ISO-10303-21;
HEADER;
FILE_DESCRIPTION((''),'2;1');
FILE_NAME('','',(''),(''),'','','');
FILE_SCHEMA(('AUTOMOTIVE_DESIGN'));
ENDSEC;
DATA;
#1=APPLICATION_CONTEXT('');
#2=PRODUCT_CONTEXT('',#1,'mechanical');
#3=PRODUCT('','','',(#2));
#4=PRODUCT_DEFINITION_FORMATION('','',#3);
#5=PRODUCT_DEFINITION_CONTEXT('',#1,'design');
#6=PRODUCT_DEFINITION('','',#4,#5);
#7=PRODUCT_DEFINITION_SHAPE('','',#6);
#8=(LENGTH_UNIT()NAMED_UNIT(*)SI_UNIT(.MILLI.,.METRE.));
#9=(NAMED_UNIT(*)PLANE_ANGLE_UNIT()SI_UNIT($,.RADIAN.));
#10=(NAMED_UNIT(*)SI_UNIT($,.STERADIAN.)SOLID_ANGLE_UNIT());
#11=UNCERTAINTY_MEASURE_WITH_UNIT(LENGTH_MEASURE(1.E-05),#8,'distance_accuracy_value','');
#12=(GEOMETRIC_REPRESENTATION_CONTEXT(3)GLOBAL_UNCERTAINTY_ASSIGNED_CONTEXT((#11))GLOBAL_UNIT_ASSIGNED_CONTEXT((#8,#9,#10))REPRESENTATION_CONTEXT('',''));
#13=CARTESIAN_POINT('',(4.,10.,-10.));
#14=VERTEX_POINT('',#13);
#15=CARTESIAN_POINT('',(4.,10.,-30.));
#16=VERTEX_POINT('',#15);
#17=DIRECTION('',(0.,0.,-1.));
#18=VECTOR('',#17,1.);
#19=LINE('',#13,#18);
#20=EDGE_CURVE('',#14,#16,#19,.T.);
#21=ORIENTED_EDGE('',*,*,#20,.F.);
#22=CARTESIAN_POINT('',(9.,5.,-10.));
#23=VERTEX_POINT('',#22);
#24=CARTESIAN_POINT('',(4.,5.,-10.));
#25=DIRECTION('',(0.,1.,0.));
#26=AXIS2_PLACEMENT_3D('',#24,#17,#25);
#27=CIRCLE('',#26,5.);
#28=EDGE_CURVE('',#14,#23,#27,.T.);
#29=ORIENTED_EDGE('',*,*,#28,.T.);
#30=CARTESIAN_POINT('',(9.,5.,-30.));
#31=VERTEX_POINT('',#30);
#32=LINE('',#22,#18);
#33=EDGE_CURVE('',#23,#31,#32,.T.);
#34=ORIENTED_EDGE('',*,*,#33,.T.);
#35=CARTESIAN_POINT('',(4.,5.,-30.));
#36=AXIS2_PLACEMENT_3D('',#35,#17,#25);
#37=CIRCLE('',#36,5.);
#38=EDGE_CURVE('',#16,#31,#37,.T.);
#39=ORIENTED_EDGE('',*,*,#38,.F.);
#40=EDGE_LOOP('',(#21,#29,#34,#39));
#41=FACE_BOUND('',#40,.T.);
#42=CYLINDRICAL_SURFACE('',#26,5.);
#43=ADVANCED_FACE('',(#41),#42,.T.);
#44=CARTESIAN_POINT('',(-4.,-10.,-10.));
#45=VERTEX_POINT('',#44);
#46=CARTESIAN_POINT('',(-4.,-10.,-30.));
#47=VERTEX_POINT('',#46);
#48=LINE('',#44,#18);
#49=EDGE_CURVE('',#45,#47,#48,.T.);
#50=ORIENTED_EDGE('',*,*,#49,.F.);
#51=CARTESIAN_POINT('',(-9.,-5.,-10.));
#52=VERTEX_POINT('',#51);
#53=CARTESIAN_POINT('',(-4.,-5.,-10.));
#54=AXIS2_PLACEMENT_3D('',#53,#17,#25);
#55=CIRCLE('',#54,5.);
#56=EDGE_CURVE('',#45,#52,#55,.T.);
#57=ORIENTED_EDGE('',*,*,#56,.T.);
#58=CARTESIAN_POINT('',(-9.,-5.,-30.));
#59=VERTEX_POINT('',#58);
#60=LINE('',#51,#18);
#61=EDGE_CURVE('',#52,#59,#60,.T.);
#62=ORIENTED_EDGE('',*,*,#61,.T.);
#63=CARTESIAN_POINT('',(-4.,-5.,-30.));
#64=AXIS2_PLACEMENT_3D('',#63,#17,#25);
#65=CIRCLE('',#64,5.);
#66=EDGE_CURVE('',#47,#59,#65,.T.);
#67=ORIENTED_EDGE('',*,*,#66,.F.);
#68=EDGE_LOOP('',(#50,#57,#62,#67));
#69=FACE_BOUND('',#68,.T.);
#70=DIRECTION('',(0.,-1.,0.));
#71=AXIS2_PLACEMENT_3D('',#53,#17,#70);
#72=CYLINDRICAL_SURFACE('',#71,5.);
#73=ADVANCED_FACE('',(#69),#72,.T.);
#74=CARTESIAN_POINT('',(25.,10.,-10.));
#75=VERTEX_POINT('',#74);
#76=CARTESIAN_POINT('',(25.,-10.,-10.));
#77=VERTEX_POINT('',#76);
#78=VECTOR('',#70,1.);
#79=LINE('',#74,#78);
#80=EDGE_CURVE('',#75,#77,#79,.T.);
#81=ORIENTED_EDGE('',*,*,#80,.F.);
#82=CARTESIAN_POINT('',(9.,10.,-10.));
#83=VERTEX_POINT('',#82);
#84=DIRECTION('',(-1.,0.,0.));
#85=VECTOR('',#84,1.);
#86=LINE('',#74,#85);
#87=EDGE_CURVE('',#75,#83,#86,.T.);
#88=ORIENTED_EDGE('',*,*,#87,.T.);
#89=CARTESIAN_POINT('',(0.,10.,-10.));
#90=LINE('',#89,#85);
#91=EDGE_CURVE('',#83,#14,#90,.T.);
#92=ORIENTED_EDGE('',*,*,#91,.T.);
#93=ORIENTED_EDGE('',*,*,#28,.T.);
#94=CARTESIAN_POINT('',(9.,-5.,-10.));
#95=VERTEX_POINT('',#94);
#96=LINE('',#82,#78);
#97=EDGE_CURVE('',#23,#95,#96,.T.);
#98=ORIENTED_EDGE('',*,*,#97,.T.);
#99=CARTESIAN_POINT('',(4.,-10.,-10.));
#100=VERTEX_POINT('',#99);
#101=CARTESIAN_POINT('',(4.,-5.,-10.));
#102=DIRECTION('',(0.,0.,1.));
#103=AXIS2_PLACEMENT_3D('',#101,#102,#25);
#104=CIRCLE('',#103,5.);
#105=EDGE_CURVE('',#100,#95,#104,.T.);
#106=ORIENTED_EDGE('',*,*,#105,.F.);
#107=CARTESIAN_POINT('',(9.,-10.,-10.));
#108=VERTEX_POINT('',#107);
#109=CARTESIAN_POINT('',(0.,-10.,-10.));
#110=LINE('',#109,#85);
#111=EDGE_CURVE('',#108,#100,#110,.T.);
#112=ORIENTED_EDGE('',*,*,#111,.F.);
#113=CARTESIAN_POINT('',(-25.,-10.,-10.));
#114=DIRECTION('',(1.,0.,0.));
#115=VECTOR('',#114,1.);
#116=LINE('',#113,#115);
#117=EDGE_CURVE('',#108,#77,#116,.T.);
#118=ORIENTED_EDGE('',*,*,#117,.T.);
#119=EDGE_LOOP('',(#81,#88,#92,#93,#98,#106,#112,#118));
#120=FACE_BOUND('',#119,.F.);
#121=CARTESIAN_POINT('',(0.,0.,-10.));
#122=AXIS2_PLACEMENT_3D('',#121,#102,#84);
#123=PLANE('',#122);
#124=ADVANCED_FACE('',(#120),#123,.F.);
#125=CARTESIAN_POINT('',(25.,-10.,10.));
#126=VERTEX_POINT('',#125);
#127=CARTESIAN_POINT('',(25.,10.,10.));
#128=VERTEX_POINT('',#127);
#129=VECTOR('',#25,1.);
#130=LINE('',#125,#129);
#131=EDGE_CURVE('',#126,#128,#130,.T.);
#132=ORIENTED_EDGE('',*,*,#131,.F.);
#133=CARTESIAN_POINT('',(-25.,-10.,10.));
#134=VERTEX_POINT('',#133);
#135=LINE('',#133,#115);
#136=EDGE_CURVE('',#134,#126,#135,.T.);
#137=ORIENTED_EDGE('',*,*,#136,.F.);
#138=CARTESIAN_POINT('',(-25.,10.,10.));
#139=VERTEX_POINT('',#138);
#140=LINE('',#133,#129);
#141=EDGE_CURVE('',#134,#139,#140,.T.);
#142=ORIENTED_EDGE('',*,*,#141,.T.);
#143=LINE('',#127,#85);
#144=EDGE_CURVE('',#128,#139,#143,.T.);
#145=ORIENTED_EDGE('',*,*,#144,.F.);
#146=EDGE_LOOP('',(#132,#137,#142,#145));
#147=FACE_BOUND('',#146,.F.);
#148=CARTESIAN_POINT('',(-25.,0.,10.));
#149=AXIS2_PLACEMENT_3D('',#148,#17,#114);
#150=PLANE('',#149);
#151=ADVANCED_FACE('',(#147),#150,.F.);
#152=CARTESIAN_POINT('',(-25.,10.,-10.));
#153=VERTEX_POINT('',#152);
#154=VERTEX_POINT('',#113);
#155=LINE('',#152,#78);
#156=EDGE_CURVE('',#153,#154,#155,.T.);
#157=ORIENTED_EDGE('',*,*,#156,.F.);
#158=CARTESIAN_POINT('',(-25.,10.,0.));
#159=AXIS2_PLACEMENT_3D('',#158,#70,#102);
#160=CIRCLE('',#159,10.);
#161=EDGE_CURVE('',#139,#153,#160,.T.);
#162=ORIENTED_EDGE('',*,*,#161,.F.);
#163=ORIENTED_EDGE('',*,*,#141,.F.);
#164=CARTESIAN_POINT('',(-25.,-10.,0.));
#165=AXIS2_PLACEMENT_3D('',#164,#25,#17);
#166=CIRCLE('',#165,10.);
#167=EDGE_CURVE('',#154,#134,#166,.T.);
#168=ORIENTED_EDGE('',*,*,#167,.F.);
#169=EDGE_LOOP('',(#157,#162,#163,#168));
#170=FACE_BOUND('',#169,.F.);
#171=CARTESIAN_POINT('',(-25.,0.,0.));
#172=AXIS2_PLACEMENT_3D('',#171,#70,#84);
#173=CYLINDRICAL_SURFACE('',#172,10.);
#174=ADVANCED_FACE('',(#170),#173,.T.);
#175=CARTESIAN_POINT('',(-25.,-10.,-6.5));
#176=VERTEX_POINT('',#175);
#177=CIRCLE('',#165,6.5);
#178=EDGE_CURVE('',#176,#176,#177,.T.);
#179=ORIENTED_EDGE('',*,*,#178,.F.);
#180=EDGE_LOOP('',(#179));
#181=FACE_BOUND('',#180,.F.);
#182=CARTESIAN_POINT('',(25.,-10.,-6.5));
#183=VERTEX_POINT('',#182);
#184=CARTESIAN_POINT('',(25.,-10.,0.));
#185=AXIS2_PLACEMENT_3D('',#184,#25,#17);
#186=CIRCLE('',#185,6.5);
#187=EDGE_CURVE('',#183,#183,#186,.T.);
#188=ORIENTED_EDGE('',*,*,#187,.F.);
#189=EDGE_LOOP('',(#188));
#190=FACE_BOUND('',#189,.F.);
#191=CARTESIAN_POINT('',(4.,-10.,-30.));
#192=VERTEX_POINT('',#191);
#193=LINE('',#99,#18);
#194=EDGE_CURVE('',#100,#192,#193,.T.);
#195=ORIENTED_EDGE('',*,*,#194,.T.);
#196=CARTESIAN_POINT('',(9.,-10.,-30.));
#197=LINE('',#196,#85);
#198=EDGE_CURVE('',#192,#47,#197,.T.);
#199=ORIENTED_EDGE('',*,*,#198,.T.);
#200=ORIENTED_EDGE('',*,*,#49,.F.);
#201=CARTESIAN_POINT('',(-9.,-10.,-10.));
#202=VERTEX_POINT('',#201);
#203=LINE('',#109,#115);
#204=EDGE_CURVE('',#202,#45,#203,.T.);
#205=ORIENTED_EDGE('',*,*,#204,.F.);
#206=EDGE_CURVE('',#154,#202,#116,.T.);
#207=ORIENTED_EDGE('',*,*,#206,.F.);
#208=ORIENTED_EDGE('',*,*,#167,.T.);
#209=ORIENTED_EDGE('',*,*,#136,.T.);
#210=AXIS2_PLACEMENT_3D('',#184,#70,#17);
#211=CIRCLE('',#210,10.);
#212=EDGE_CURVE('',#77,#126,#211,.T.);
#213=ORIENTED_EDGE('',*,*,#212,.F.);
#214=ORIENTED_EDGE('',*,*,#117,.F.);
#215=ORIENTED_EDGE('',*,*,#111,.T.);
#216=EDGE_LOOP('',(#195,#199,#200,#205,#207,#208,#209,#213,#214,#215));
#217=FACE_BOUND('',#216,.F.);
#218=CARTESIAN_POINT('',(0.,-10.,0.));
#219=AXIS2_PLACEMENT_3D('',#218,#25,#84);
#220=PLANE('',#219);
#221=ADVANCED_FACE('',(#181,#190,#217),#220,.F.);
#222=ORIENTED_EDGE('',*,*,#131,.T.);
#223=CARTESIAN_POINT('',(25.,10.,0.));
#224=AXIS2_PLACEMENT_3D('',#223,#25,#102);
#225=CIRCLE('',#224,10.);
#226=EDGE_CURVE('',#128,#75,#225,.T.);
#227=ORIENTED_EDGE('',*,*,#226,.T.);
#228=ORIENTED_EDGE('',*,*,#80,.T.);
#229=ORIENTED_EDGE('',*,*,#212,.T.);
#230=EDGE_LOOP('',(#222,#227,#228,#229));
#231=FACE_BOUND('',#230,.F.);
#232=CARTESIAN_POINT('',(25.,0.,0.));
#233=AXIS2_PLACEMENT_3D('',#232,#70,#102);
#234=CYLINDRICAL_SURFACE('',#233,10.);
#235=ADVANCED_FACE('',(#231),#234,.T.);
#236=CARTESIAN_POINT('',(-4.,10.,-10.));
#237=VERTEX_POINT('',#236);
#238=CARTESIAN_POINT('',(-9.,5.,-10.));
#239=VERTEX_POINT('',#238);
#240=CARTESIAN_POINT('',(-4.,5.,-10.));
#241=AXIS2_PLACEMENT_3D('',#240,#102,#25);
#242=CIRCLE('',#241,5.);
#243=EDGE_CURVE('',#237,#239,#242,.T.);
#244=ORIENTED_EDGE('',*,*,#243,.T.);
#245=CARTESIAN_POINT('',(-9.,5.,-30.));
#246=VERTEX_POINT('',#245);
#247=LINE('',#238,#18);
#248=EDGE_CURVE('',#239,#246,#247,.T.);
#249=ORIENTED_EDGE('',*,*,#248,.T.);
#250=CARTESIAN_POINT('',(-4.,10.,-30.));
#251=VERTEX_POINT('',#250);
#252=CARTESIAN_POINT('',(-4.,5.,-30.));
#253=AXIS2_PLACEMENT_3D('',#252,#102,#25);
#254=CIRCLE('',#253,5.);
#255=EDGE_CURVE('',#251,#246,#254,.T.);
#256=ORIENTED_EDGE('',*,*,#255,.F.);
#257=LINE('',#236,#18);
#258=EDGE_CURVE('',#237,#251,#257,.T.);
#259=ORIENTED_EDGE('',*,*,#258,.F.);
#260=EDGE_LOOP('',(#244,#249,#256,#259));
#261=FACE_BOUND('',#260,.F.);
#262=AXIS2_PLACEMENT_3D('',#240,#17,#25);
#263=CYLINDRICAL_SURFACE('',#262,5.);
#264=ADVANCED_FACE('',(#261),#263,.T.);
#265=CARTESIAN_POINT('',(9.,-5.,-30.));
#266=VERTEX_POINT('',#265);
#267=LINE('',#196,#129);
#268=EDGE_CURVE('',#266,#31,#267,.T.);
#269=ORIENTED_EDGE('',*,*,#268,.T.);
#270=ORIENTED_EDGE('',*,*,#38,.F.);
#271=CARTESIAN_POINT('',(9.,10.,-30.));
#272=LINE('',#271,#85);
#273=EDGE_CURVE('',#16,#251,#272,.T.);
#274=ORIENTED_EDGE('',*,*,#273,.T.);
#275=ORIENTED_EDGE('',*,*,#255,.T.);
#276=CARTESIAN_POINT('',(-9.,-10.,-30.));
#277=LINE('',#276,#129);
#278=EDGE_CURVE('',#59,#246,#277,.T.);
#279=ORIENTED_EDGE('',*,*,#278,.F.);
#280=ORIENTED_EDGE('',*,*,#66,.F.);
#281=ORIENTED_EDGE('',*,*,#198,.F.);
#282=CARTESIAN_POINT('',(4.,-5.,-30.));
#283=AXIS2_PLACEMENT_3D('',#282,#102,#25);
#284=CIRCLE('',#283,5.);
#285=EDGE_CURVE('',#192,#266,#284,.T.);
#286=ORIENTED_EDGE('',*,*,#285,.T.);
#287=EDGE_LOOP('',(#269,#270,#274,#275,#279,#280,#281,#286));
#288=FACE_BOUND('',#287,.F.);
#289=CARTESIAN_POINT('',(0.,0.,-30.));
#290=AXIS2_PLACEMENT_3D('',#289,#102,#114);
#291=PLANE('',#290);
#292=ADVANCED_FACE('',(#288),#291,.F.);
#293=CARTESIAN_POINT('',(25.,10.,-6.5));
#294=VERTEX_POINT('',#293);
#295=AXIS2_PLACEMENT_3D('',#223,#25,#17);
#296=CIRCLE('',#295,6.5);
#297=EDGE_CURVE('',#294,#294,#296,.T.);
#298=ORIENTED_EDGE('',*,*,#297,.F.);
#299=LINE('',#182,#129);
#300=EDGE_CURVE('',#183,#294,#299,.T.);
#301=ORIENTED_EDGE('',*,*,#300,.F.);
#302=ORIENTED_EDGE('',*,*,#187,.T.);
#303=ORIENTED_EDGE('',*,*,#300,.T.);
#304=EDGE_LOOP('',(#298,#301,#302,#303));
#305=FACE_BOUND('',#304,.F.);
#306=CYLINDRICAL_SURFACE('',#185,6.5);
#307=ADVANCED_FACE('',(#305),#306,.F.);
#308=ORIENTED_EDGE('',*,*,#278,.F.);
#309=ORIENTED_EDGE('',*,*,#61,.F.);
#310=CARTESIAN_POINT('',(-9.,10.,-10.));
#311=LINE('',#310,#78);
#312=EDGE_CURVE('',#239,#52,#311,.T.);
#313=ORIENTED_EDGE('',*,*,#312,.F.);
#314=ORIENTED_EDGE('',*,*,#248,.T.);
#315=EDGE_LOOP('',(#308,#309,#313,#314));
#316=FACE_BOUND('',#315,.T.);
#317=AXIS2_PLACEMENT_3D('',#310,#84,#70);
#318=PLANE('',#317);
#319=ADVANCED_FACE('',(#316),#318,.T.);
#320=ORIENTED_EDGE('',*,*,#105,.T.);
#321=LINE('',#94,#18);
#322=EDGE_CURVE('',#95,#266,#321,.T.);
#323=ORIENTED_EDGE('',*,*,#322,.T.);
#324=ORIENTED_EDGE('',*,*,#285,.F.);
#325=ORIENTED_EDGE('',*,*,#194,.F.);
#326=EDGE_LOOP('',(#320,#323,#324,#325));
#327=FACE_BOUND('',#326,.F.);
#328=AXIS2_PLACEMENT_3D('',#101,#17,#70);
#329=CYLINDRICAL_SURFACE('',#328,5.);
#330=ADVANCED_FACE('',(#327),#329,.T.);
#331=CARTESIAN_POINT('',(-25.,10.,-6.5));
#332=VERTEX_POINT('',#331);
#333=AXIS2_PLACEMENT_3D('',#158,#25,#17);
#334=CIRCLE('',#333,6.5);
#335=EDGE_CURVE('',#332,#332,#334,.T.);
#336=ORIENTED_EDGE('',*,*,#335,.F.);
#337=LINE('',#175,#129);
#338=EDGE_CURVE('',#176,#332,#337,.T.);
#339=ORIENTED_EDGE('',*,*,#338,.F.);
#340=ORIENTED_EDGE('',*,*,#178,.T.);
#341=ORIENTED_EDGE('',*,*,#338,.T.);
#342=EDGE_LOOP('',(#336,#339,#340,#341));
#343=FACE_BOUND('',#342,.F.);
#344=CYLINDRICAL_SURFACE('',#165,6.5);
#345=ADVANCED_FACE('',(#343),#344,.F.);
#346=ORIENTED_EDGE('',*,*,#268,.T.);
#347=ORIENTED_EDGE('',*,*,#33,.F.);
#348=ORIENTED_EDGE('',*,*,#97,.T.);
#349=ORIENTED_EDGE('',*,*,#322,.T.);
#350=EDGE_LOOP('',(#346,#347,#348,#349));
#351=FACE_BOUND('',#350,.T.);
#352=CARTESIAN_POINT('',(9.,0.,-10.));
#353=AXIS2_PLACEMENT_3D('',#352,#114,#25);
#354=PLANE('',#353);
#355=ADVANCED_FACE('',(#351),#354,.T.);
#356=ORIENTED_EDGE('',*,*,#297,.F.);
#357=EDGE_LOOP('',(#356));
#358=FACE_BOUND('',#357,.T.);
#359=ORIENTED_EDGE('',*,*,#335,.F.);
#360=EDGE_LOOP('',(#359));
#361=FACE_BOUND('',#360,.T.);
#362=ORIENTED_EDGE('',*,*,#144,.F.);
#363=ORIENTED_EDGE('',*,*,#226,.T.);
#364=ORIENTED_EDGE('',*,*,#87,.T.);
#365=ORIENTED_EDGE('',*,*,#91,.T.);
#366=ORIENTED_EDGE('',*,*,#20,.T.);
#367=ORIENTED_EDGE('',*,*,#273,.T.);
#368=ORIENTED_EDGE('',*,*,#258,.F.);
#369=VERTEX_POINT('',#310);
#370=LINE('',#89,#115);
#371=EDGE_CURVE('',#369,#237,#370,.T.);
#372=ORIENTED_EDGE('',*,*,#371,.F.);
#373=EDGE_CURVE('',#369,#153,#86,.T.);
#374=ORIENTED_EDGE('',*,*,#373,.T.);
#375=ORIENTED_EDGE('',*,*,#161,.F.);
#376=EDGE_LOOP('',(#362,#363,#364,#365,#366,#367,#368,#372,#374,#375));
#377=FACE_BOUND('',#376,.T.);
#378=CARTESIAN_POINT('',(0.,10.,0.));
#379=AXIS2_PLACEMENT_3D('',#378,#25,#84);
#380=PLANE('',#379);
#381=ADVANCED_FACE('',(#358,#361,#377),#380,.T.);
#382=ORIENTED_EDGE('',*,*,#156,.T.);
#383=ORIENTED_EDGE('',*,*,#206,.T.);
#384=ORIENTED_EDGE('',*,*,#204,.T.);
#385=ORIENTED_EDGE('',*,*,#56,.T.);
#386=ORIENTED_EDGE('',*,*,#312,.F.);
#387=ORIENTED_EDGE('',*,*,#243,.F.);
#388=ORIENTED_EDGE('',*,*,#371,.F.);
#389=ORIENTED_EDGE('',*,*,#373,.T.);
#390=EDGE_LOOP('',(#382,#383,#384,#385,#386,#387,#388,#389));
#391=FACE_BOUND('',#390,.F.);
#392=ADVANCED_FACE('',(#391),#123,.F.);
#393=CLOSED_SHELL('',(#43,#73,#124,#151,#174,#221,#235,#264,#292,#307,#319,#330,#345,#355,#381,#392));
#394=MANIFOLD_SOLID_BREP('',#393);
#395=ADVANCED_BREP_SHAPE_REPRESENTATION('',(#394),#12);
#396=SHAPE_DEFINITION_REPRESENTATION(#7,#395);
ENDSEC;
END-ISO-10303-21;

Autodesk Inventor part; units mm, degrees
sketch "Skizze1" plane through (0, 0, 0) normal (0, 1, 0) x (-1, 0, 0)
  line L0 (25, 10) -> (-25, 10)
  line L1 (-35, 0) -> (-35, 0)
  line L2 (-25, -10) -> (25, -10)
  line L3 (35, 0) -> (35, 0)
  line L4 (51.8995, 0) -> (-51.8995, 0) projected
  line L5 (0, -16.8995) -> (0, 16.8995) projected
  arc A0 (35, 8) -> (33, 10) centre (33, 8) ccw
  arc A1 (33, -10) -> (35, -8) centre (33, -8) ccw
  arc A2 (-33, 10) -> (-35, 8) centre (-33, 8) ccw
  arc A3 (-35, -8) -> (-33, -10) centre (-33, -8) ccw
  arc A4 (35, 0) -> (25, 10) centre (25, 0) ccw
  arc A5 (25, -10) -> (35, 0) centre (25, 0) ccw
  arc A6 (-25, 10) -> (-35, 0) centre (-25, 0) ccw
  arc A7 (-35, 0) -> (-25, -10) centre (-25, 0) ccw
  point P0 (0, 0)
  point P1 (-35, -10)
  point P2 (-35, 10)
  point P3 (35, -10)
  point P4 (-35, 0)
  dimension "d0" = 70
  dimension "d1" = 20
  dimension "d2" = 2
  dimension "d3" = 10
extrude "Extrusion1" add sketch "Skizze1" along normal mid plane 20
ref_plane "Arbeitsebene1" through (0, -10, 0) normal (0, 1, 0) x (-1, 0, 0)
sketch "Skizze3" plane through (0, -10, 0) normal (0, -1, 0) x (1, 0, 0)
  arc A0 (-25, 10) -> (-25, -10) centre (-25, 0) ccw projected
  arc A1 (25, -10) -> (25, 10) centre (25, 0) ccw projected
  point P0 (0, 0)
hole "Bohrung1" at (-25, -10, 0) at (25, -10, 0) direction (0, 1, 0) diameter 6.756 end through all counterbore diameter 13 counterbore depth 20
ref_plane "Arbeitsebene2" through (0, 0, -10) normal (0, 0, 1) x (1, 0, 0)
sketch "Skizze4" plane through (0, 0, -10) normal (0, 0, 1) x (1, 0, 0)
  line L0 (9, 10) -> (-9, 10)
  line L1 (-9, 10) -> (-9, -10)
  line L2 (-9, -10) -> (9, -10)
  line L3 (9, -10) -> (9, 10)
  line L4 (0, -26) -> (0, 16) projected
  line L5 (-49, 0) -> (49, 0) projected
  dimension "d15" = 18
  dimension "d16" = 20
extrude "Extrusion2" add sketch "Skizze4" against normal blind 20
fillet "Rundung1" radius 5 4 edges at (-9, -10, -20) (9, -10, -20) (9, 10, -20) (-9, 10, -20)
properties part number "Schlitten1"
